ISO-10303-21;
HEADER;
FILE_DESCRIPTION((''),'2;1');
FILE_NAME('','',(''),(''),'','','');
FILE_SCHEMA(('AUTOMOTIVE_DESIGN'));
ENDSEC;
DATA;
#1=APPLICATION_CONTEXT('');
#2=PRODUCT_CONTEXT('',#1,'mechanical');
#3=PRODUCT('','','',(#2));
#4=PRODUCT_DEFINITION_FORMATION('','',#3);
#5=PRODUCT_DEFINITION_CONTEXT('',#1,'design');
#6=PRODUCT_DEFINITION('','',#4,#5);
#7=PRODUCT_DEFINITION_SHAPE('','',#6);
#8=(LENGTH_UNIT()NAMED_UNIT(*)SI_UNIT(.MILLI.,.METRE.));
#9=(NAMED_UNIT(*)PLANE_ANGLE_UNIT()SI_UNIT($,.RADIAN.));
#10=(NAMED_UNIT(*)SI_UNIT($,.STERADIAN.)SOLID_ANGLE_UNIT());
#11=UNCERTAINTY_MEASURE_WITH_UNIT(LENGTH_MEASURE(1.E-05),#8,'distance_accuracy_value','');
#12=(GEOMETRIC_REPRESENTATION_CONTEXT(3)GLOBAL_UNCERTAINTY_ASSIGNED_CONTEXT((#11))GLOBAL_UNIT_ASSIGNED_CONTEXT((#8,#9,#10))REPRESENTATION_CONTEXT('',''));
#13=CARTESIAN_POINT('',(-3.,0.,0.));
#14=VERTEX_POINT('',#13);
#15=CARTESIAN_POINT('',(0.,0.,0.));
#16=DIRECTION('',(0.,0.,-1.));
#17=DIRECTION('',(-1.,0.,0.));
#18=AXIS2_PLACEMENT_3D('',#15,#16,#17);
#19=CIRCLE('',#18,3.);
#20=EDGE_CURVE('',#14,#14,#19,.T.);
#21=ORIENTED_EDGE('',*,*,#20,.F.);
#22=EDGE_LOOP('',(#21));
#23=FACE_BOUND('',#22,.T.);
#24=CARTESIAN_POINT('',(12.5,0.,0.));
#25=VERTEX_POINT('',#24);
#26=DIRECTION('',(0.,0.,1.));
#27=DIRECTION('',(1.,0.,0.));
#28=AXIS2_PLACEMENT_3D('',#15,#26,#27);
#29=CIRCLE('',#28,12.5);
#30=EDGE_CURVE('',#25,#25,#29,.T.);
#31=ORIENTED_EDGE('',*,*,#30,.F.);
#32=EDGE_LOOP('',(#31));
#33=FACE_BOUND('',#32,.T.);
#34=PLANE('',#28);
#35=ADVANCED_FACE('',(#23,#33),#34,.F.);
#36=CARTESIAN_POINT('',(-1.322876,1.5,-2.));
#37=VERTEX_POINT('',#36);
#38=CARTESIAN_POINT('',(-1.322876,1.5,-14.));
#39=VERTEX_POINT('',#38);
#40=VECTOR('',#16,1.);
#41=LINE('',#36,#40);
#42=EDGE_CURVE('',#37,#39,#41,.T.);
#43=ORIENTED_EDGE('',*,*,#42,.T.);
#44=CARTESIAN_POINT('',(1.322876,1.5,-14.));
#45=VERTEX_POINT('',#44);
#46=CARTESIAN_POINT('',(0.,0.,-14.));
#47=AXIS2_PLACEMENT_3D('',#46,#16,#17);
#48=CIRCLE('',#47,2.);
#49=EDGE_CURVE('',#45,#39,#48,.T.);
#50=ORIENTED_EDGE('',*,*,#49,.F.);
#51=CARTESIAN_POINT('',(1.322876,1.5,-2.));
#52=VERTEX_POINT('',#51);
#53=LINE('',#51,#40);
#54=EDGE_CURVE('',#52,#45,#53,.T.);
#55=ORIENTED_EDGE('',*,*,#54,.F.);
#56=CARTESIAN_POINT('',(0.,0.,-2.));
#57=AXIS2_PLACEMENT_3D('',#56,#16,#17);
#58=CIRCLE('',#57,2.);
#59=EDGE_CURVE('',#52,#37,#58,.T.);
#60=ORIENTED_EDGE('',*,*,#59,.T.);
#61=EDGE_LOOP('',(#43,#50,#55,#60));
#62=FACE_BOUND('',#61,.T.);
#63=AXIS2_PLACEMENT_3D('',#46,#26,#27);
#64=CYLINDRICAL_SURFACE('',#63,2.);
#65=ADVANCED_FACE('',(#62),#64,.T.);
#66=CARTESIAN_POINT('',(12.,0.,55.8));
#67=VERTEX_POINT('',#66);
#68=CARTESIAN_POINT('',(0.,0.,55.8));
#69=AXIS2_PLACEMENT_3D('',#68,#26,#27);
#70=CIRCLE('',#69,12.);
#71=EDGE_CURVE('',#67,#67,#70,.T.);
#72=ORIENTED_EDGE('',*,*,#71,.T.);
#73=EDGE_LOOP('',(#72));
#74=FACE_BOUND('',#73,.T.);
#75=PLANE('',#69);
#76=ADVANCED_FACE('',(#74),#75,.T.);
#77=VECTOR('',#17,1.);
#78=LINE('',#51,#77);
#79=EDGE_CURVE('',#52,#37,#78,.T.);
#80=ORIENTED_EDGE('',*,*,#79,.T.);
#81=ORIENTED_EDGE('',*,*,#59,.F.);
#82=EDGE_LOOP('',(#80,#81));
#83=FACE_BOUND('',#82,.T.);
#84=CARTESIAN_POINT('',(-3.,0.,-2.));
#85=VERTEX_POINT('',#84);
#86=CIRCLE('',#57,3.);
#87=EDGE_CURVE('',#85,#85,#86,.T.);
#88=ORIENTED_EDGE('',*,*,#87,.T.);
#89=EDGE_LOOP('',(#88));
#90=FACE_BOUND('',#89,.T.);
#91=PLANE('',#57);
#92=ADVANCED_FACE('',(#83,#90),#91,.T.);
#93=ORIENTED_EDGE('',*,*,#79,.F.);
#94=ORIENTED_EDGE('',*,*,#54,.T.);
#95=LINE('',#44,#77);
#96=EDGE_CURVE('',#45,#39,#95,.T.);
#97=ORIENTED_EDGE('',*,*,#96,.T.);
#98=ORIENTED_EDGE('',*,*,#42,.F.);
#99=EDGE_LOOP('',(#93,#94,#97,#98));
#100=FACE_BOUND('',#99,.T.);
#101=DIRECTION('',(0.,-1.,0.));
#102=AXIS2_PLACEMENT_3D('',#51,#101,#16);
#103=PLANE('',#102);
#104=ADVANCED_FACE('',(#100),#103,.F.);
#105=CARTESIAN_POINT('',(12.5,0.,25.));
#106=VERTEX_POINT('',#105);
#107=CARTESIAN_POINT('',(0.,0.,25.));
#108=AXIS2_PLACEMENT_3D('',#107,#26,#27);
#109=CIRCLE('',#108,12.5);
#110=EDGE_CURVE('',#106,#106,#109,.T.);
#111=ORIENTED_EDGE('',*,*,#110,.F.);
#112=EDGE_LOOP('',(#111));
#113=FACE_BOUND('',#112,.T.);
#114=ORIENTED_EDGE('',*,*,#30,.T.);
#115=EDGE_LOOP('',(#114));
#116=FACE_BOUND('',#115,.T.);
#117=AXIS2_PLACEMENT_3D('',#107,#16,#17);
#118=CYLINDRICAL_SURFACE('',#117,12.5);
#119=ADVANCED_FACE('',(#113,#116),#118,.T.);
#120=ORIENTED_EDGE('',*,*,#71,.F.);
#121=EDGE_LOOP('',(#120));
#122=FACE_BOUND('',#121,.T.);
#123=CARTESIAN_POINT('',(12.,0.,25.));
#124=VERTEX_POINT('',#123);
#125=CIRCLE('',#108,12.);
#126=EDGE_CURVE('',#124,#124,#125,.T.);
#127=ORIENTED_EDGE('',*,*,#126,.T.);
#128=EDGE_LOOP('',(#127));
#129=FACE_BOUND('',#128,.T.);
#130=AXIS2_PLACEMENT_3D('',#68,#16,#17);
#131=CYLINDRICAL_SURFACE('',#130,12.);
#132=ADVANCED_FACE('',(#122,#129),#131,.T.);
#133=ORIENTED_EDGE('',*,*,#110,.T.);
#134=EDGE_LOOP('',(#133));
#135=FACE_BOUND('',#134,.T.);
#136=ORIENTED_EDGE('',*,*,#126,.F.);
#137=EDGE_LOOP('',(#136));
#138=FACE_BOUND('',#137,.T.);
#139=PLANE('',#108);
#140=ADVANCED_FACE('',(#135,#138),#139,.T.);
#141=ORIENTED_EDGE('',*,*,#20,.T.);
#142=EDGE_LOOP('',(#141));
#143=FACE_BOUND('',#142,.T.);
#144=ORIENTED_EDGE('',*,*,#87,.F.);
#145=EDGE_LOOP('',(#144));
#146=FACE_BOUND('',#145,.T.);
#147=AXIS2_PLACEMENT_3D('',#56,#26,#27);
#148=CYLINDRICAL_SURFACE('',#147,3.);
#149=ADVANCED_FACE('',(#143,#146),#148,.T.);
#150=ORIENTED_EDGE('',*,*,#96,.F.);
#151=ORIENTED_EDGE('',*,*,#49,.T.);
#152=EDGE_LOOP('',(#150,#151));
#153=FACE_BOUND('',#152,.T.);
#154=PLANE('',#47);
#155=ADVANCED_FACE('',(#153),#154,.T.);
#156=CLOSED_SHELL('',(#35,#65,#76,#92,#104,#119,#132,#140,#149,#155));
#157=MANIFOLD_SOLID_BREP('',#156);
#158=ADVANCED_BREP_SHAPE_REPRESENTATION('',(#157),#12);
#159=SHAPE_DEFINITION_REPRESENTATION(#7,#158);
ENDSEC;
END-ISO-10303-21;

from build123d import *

# Parameters (mm, degrees)
SKETCH1_R           = 12.5
BOSS_EXTRUDE2_DEPTH = 25
SKETCH2_R           = 3
BOSS_EXTRUDE3_DEPTH = 2
SKETCH3_R           = 2
BOSS_EXTRUDE4_DEPTH = 12
CUT_EXTRUDE1_DEPTH  = 12
SKETCH5_R           = 12
BOSS_EXTRUDE5_DEPTH = 30.8


with BuildPart() as part:
    # Sketch1 → Boss-Extrude2 (new body)
    with BuildSketch(Plane.XY):
        Circle(SKETCH1_R)
    extrude(amount=BOSS_EXTRUDE2_DEPTH)

    # Sketch2 → Boss-Extrude3 (add)
    with BuildSketch(Plane(origin=(0, 0, 0), x_dir=(-1, 0, 0), z_dir=(0, 0, -1))):
        Circle(SKETCH2_R)
    extrude(amount=BOSS_EXTRUDE3_DEPTH)

    # Sketch3 → Boss-Extrude4 (add)
    with BuildSketch(Plane(origin=(0, 0, -2), x_dir=(-1, 0, 0), z_dir=(0, 0, -1))):
        Circle(SKETCH3_R)
    extrude(amount=BOSS_EXTRUDE4_DEPTH)

    # Sketch4 → Cut-Extrude1 (cut)
    with BuildSketch(Plane(origin=(0, 0, -14), x_dir=(-1, 0, 0), z_dir=(0, 0, -1))):
        with BuildLine():
            Line((-1.322875656, 1.5), (1.322875656, 1.5))
            ThreePointArc((1.322875656, 1.5), (0, 2), (-1.322875656, 1.5))
        make_face()
    extrude(amount=-CUT_EXTRUDE1_DEPTH, mode=Mode.SUBTRACT)

    # Sketch5 → Boss-Extrude5 (add)
    with BuildSketch(Plane.XY.offset(25)):
        Circle(SKETCH5_R)
    extrude(amount=BOSS_EXTRUDE5_DEPTH)


solid = part.part
